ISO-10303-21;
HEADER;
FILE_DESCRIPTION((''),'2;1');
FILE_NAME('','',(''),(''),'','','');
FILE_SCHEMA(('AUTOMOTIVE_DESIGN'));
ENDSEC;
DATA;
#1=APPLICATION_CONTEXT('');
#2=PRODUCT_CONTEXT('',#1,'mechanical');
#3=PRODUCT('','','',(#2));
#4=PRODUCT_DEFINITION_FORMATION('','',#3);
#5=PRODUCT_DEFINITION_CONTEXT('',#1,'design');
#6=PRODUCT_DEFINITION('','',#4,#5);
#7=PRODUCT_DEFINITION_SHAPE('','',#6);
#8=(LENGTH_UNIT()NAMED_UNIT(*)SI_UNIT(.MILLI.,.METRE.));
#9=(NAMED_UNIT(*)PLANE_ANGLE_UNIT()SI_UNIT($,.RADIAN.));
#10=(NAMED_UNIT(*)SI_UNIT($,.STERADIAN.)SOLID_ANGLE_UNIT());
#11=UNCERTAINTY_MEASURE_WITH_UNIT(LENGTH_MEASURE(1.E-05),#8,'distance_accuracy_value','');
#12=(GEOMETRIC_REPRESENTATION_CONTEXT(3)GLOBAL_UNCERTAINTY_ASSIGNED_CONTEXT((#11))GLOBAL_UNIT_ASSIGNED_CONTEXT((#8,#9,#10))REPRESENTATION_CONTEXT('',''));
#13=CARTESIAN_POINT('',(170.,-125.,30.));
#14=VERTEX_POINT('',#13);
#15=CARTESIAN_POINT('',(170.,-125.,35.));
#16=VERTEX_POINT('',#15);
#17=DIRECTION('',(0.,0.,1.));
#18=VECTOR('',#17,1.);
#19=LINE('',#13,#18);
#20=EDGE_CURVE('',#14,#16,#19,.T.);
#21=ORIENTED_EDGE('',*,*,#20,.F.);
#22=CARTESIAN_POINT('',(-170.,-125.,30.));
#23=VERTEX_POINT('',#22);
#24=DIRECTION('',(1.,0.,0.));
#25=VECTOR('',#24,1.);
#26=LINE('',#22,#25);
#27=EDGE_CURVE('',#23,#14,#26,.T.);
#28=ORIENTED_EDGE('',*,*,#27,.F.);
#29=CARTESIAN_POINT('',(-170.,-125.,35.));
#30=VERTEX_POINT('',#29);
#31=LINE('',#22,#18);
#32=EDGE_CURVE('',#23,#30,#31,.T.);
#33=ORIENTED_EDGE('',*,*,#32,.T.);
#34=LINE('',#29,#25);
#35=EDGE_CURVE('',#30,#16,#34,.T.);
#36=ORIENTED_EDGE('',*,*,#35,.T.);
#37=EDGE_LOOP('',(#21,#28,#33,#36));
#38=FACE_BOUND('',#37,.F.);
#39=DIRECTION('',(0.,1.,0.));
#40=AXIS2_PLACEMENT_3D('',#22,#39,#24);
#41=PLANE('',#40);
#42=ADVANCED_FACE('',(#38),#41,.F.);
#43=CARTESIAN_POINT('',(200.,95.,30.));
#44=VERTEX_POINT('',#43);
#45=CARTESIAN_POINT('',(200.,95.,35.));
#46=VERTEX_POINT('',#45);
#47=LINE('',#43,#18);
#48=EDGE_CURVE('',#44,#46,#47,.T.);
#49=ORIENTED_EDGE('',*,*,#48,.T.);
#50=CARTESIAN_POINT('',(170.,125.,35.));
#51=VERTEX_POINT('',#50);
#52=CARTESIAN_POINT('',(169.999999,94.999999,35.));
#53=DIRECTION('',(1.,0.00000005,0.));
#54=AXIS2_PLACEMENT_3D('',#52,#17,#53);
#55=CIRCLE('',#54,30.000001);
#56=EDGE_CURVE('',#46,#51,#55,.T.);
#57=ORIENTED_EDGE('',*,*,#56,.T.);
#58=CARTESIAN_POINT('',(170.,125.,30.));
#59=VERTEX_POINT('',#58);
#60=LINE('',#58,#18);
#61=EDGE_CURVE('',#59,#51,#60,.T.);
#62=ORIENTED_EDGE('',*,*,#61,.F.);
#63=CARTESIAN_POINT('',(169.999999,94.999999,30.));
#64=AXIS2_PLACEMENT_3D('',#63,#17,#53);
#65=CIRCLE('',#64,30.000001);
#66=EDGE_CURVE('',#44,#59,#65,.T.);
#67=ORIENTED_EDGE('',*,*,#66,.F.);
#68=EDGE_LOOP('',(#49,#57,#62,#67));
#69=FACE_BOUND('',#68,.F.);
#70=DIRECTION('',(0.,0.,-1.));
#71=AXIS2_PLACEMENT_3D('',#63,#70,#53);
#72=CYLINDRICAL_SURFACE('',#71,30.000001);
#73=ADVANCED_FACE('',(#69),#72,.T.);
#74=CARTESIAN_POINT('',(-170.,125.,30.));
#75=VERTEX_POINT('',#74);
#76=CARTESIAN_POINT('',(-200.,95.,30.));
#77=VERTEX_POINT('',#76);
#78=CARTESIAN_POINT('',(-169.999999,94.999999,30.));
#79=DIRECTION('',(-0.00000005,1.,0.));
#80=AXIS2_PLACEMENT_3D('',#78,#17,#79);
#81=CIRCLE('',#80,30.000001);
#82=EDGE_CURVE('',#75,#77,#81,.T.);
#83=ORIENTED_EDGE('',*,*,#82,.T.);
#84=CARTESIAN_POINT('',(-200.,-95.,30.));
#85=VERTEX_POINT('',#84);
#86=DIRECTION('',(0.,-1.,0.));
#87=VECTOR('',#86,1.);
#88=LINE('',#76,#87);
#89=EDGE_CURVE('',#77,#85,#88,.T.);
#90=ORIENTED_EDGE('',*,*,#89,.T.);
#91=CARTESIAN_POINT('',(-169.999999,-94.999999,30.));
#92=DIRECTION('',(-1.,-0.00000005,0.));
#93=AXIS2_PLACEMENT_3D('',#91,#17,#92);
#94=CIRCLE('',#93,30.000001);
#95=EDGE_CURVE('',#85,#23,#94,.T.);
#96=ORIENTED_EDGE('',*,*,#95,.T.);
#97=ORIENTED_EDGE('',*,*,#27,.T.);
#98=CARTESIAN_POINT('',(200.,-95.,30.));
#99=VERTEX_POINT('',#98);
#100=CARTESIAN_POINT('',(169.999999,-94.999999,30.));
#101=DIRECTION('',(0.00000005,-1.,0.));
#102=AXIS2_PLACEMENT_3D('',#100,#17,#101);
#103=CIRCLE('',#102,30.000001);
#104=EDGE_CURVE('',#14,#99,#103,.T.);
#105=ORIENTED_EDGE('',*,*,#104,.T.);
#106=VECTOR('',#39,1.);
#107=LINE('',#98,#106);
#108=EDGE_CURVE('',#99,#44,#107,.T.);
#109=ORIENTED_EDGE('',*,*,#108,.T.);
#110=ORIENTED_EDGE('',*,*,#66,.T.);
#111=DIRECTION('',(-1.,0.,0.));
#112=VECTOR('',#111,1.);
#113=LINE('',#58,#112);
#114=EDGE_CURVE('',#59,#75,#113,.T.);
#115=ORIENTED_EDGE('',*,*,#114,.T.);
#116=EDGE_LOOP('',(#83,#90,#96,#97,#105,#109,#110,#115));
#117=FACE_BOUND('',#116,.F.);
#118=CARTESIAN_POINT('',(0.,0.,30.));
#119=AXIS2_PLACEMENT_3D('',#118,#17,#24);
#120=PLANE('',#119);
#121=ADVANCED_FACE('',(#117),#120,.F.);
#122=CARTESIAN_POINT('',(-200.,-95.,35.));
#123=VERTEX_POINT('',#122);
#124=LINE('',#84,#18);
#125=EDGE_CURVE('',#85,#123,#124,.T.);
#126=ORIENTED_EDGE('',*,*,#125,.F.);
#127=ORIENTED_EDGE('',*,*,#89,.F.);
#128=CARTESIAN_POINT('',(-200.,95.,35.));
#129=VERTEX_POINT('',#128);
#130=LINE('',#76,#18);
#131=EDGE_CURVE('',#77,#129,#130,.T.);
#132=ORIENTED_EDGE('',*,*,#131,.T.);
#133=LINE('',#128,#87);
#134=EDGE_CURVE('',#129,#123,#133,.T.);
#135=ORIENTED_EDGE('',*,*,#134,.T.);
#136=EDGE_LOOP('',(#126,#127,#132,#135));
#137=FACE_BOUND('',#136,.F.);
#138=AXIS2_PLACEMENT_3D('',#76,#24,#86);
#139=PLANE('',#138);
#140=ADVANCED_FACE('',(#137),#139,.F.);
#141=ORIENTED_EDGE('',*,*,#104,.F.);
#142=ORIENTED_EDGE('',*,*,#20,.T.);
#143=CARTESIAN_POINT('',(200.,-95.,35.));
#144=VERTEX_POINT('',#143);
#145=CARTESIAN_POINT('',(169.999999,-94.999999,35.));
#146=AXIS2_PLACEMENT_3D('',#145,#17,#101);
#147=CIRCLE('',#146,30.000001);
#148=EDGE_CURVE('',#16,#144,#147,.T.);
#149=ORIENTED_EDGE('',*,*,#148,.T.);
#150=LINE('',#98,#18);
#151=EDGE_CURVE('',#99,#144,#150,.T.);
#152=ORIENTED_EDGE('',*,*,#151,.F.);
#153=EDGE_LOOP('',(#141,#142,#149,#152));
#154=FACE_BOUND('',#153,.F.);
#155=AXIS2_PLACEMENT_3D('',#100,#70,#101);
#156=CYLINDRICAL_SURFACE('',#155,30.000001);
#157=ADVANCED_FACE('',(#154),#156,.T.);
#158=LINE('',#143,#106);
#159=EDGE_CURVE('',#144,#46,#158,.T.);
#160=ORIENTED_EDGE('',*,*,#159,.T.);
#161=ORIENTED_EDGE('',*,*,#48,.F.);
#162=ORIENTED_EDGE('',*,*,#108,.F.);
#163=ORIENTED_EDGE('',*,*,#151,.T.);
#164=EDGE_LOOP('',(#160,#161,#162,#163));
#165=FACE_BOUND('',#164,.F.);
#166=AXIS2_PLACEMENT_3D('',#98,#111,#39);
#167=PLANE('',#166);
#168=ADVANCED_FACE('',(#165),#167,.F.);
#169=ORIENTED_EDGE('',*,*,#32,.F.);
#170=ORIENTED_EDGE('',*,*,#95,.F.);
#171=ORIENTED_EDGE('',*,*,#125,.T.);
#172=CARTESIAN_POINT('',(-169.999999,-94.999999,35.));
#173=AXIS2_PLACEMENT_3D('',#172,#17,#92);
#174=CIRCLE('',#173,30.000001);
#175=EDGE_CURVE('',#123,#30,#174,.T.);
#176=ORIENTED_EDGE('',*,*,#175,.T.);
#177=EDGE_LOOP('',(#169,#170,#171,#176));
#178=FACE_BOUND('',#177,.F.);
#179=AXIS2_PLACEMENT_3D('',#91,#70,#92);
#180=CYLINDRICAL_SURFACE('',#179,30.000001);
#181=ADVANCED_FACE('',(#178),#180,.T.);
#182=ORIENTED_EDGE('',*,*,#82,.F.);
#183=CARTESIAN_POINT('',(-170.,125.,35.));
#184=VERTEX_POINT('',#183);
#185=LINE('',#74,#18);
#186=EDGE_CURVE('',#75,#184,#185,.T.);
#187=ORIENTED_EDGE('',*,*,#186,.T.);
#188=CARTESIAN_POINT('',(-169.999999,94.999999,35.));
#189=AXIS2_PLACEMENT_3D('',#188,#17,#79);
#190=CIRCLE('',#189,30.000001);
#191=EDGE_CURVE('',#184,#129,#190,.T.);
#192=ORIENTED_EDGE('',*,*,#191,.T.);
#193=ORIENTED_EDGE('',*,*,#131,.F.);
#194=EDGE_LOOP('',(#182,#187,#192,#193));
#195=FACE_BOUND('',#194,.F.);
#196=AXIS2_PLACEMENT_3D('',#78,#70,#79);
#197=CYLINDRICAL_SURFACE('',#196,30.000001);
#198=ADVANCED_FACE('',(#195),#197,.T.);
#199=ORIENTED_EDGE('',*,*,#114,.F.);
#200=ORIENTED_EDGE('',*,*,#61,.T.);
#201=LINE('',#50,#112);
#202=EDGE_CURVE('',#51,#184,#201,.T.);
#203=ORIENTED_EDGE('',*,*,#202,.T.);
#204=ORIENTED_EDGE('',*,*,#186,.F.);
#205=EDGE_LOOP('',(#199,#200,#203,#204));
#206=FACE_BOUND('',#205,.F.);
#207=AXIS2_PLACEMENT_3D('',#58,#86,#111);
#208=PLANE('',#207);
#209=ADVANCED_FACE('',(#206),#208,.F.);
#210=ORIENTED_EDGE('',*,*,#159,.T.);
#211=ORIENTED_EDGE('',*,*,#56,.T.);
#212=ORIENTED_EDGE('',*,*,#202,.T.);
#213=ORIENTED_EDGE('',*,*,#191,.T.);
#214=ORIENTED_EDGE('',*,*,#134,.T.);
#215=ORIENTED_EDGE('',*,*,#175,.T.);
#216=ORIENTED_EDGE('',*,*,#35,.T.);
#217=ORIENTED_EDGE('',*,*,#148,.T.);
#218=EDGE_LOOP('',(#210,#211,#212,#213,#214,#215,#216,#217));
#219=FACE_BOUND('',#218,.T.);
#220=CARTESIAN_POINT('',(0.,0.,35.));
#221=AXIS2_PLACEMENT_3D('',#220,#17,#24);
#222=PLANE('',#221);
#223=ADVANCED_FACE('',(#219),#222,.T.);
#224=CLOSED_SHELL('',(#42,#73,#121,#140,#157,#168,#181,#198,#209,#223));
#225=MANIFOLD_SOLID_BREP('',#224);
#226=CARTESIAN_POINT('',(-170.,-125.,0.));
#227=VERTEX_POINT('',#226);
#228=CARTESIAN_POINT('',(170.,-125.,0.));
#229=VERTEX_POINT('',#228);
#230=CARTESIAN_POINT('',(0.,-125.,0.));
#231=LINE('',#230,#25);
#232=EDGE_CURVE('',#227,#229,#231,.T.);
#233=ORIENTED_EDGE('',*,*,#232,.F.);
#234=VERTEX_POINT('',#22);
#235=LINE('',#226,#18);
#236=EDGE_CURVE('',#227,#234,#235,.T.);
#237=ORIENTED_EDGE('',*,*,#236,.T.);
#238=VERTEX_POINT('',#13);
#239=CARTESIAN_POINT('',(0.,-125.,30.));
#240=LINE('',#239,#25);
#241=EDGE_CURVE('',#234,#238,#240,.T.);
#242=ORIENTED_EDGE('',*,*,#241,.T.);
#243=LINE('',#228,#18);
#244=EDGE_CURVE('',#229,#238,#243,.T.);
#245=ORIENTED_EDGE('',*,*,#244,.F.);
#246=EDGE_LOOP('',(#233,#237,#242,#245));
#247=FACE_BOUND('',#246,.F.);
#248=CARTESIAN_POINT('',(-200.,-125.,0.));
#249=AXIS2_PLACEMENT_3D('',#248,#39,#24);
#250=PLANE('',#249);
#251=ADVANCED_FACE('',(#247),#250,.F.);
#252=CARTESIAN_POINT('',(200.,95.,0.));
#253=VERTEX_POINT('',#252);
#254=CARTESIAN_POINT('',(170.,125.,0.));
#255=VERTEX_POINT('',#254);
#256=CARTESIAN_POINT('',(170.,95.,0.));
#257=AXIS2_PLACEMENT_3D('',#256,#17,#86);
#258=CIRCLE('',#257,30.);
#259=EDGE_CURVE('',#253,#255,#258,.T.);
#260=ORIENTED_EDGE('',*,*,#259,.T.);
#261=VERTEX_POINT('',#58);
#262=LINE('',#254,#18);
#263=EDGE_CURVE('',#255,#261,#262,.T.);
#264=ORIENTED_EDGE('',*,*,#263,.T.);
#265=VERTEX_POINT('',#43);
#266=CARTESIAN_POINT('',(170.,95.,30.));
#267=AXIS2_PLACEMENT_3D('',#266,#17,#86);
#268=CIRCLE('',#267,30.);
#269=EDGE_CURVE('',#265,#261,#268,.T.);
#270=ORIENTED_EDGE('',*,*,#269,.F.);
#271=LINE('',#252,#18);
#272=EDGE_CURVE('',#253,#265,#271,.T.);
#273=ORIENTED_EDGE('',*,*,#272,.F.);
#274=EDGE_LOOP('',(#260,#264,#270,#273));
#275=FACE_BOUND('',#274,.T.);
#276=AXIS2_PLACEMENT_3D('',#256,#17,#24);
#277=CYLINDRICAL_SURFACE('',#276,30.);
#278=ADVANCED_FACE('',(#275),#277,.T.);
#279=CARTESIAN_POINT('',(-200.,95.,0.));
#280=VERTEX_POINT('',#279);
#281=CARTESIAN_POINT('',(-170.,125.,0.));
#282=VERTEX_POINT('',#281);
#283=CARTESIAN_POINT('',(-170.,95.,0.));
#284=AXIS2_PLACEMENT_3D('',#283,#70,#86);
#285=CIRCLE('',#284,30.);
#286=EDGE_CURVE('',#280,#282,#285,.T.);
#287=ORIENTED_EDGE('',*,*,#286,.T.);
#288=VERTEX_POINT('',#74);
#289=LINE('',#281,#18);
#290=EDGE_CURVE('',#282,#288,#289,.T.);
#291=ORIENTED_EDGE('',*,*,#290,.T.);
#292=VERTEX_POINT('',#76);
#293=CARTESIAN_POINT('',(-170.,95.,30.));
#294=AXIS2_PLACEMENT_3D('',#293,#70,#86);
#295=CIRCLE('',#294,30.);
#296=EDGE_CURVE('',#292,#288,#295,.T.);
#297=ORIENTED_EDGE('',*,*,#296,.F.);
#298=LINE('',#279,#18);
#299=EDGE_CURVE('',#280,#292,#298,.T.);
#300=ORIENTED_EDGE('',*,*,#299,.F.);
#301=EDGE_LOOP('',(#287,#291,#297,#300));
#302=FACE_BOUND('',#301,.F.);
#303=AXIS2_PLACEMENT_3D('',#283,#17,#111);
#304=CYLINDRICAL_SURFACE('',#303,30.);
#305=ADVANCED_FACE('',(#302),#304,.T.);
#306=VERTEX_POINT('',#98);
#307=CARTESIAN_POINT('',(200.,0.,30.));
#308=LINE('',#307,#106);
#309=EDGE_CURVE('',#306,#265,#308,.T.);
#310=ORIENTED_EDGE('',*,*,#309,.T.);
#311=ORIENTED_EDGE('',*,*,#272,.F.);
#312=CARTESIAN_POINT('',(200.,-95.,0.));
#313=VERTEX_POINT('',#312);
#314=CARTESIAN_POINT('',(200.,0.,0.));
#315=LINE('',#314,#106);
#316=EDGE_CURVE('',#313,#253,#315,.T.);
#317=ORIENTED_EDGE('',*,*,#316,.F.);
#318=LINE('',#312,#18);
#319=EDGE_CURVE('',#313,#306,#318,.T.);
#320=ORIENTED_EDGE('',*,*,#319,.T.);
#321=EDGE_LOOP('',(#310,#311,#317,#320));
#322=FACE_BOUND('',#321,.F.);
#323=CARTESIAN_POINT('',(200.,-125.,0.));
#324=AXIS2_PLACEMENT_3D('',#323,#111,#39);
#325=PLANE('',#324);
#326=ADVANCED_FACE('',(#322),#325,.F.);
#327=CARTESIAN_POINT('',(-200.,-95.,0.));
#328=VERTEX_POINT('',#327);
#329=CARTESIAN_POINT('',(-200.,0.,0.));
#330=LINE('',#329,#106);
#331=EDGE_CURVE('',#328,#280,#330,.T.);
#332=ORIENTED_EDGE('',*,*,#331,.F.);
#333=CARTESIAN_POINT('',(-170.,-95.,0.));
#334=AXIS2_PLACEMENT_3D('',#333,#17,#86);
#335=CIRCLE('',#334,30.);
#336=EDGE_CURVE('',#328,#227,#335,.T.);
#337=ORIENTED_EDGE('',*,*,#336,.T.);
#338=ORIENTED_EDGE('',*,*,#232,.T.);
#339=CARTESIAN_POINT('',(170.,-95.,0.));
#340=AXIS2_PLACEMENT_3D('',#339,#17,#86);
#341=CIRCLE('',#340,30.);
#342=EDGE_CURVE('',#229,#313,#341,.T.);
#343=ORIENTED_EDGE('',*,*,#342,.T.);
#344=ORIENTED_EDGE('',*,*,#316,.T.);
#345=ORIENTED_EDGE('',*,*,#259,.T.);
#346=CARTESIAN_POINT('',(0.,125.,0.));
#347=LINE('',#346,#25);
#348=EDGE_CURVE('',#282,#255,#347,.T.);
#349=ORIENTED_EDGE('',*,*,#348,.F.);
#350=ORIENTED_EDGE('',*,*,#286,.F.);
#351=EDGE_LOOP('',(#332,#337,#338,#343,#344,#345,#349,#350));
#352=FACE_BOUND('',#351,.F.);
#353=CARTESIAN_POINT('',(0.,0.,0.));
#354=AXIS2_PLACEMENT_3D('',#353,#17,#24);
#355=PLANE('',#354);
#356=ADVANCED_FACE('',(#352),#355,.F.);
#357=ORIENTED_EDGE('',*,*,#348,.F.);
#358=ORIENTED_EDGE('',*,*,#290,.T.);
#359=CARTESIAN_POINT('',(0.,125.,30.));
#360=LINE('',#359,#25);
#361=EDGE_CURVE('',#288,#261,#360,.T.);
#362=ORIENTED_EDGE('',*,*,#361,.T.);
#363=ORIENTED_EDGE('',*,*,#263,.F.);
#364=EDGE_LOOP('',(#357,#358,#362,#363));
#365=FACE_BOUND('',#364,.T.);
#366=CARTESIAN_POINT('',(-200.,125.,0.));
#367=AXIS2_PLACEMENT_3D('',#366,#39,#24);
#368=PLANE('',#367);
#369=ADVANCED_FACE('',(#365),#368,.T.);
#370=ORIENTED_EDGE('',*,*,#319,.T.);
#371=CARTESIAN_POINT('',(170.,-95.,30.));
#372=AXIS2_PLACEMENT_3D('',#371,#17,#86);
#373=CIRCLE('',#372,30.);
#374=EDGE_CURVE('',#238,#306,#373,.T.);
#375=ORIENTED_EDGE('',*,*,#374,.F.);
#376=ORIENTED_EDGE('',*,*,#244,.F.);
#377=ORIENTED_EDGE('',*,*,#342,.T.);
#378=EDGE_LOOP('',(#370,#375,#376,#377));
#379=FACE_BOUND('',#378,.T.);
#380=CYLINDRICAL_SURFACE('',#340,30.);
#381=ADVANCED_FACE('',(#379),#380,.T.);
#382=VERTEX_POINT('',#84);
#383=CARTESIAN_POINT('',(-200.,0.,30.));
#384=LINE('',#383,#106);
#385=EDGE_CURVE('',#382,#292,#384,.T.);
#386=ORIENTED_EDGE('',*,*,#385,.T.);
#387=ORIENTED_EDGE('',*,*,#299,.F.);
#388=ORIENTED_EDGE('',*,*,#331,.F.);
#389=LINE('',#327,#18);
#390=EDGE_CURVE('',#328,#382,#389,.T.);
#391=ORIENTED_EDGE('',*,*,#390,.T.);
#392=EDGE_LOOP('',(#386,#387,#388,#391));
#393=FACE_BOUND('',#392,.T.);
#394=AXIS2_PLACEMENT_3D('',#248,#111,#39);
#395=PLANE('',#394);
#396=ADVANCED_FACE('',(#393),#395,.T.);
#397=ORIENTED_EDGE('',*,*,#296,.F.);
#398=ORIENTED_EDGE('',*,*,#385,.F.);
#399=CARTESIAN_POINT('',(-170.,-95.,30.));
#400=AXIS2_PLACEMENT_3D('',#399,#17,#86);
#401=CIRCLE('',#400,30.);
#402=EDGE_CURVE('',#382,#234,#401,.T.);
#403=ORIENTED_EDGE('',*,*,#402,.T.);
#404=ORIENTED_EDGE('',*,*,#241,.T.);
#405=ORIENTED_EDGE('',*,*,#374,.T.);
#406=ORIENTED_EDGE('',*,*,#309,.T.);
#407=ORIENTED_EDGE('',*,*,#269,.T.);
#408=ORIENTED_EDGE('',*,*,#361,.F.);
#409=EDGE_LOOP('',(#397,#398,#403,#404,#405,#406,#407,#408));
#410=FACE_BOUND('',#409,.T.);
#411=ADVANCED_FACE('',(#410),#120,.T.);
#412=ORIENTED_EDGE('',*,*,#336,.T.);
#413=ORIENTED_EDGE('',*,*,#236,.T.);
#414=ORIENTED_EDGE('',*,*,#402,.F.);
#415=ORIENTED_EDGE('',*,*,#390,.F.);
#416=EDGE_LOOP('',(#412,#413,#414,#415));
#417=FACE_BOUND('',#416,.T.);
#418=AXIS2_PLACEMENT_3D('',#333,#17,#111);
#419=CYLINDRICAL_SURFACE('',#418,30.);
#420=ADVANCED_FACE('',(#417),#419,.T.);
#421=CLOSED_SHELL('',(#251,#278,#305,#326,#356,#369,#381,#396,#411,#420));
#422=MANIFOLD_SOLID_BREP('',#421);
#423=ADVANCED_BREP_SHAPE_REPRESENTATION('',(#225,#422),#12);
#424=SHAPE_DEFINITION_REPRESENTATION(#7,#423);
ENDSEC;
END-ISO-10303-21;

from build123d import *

# Parameters (mm, degrees)
F0_W     = 400
F0_H     = 250
F1_DEPTH = 30
F2_R     = 30
F3_DEPTH = 5


with BuildPart() as f1:
    # F0 (on Top) → F1 (new body)
    with BuildSketch(Plane.XY):
        Rectangle(F0_W, F0_H)
    extrude(amount=F1_DEPTH)

    # F2
    f2_edges = [f1.edges().sort_by_distance(p)[0] for p in [
        (-200, -125, 15),
        (200, -125, 15),
        (200, 125, 15),
        (-200, 125, 15),
    ]]
    fillet(f2_edges, radius=F2_R)


with BuildPart() as f3:
    # F1_face (on face) → F3 (new body)
    with BuildSketch(Plane.XY.offset(30)):
        with BuildLine():
            Line((-170, -125), (170, -125))
            ThreePointArc((170, -125), (191.213203, -116.213203), (200, -95))
            Line((200, -95), (200, 95))
            ThreePointArc((200, 95), (191.213203, 116.213203), (170, 125))
            Line((170, 125), (-170, 125))
            ThreePointArc((-170, 125), (-191.213203, 116.213203), (-200, 95))
            Line((-200, 95), (-200, -95))
            ThreePointArc((-200, -95), (-191.213203, -116.213203), (-170, -125))
        make_face()
    extrude(amount=F3_DEPTH)


solid = Compound([f1.part, f3.part])
